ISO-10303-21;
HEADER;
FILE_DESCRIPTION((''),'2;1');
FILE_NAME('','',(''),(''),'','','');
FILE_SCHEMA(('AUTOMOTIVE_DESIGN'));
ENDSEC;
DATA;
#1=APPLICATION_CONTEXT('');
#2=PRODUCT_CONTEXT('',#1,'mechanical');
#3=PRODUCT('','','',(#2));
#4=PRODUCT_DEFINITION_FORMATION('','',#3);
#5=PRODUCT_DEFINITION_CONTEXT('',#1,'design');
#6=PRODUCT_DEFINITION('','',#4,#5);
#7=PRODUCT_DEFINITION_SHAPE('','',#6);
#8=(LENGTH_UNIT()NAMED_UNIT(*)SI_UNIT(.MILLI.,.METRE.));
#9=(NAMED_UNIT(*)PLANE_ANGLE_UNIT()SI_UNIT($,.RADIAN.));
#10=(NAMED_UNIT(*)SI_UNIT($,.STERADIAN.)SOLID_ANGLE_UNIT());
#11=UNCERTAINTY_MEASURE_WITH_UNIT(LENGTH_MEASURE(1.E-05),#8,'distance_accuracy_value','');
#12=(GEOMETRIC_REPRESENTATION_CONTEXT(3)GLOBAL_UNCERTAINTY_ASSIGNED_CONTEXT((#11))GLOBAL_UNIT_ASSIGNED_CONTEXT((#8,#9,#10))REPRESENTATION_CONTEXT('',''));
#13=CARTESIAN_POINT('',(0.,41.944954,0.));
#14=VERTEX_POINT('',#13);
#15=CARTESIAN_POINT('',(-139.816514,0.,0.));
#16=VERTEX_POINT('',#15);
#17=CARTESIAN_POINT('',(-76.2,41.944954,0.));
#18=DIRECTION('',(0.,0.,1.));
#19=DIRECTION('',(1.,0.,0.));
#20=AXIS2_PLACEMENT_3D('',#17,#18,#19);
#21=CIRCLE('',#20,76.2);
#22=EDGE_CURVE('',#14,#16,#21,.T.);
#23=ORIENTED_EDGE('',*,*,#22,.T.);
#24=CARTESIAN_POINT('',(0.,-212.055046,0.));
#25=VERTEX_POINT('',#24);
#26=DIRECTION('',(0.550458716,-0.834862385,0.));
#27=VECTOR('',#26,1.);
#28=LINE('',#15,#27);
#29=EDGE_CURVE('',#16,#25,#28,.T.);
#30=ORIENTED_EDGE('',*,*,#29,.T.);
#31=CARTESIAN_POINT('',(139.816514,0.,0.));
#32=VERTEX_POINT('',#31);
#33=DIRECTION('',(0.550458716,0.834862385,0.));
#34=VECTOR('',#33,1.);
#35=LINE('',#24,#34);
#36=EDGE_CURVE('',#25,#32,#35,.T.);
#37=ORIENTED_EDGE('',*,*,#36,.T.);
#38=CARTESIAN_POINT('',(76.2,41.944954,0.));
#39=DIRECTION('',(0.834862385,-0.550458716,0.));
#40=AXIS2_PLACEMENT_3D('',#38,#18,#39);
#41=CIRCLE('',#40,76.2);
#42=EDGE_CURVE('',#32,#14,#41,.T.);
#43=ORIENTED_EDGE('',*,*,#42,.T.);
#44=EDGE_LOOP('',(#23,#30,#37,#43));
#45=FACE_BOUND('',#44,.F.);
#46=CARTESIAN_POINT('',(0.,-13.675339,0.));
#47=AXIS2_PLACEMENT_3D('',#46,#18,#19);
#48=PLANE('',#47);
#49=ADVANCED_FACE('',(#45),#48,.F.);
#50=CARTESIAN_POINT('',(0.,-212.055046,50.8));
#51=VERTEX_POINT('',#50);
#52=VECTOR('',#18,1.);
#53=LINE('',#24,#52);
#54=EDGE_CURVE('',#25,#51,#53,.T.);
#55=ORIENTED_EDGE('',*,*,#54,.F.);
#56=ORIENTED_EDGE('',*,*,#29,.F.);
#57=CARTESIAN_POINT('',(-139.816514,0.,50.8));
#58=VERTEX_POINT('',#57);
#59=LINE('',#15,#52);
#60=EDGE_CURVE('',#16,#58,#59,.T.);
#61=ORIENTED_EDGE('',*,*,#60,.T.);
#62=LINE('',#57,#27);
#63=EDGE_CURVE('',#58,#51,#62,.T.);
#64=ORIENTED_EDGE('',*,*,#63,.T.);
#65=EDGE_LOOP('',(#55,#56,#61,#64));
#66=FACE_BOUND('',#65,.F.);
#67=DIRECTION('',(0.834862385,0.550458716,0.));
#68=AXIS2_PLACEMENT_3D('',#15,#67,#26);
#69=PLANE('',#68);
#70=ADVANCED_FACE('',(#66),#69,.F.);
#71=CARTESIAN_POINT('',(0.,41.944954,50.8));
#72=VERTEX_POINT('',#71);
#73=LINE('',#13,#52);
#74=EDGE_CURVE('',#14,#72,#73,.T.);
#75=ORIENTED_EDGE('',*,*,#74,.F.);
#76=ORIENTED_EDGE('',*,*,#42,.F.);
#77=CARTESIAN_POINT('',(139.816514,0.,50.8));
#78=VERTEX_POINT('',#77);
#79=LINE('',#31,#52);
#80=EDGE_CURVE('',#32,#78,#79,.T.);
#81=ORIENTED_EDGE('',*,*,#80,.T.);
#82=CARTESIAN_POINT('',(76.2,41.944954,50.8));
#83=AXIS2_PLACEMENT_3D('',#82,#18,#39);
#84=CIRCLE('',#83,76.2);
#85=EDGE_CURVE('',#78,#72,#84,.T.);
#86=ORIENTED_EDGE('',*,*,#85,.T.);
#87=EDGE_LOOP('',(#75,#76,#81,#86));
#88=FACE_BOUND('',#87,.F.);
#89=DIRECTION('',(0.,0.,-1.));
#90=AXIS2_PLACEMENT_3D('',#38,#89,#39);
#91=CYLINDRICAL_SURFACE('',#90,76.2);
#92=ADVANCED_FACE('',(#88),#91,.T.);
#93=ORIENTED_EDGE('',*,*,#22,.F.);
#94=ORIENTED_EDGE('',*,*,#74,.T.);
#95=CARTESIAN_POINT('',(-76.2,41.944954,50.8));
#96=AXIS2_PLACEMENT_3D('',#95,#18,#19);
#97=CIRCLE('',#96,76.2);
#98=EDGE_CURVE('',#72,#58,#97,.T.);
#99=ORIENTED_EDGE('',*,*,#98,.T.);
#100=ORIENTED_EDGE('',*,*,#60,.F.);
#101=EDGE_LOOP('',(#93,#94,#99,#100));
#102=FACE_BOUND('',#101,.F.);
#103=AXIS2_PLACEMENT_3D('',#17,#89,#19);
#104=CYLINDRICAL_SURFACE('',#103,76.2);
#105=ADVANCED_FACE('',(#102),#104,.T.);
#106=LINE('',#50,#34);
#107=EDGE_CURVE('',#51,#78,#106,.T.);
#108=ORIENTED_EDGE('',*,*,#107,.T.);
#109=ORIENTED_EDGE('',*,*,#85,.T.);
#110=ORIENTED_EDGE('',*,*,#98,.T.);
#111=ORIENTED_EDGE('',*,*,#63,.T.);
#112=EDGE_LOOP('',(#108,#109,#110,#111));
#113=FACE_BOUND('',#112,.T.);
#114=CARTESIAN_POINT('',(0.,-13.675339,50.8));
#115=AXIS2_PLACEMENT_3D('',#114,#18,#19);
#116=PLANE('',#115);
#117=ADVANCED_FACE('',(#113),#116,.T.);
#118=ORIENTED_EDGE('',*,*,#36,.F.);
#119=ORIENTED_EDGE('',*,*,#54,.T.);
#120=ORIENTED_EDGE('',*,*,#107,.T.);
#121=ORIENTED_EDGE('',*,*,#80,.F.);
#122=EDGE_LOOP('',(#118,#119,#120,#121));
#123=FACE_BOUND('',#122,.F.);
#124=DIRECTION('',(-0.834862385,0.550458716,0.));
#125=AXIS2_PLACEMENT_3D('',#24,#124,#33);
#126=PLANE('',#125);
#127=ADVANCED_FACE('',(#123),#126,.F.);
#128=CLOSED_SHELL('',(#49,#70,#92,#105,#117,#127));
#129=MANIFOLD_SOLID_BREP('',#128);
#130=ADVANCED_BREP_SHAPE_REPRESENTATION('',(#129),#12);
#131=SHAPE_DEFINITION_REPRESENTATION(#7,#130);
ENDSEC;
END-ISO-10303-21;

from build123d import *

# Parameters (mm, degrees)
F1_DEPTH = 25.4
F2_SCALE = 2


with BuildPart() as f1:
    # F0 (on Top) → F1 (new body)
    with BuildSketch(Plane.XY):
        with BuildLine():
            ThreePointArc((69.9082568807, 0), (49.0479544401, 57.4656585311), (0, 20.9724770642))
            ThreePointArc((0, 20.9724770642), (-49.0479544401, 57.4656585311), (-69.9082568807, 0))
            Line((-69.9082568807, 0), (0, -106.0275229358))
            Line((0, -106.0275229358), (69.9082568807, 0))
        make_face()
    extrude(amount=F1_DEPTH)


with BuildPart() as f1_1:
    # F2: moved
    add(f1.part.scale(F2_SCALE))


solid = f1_1.part
